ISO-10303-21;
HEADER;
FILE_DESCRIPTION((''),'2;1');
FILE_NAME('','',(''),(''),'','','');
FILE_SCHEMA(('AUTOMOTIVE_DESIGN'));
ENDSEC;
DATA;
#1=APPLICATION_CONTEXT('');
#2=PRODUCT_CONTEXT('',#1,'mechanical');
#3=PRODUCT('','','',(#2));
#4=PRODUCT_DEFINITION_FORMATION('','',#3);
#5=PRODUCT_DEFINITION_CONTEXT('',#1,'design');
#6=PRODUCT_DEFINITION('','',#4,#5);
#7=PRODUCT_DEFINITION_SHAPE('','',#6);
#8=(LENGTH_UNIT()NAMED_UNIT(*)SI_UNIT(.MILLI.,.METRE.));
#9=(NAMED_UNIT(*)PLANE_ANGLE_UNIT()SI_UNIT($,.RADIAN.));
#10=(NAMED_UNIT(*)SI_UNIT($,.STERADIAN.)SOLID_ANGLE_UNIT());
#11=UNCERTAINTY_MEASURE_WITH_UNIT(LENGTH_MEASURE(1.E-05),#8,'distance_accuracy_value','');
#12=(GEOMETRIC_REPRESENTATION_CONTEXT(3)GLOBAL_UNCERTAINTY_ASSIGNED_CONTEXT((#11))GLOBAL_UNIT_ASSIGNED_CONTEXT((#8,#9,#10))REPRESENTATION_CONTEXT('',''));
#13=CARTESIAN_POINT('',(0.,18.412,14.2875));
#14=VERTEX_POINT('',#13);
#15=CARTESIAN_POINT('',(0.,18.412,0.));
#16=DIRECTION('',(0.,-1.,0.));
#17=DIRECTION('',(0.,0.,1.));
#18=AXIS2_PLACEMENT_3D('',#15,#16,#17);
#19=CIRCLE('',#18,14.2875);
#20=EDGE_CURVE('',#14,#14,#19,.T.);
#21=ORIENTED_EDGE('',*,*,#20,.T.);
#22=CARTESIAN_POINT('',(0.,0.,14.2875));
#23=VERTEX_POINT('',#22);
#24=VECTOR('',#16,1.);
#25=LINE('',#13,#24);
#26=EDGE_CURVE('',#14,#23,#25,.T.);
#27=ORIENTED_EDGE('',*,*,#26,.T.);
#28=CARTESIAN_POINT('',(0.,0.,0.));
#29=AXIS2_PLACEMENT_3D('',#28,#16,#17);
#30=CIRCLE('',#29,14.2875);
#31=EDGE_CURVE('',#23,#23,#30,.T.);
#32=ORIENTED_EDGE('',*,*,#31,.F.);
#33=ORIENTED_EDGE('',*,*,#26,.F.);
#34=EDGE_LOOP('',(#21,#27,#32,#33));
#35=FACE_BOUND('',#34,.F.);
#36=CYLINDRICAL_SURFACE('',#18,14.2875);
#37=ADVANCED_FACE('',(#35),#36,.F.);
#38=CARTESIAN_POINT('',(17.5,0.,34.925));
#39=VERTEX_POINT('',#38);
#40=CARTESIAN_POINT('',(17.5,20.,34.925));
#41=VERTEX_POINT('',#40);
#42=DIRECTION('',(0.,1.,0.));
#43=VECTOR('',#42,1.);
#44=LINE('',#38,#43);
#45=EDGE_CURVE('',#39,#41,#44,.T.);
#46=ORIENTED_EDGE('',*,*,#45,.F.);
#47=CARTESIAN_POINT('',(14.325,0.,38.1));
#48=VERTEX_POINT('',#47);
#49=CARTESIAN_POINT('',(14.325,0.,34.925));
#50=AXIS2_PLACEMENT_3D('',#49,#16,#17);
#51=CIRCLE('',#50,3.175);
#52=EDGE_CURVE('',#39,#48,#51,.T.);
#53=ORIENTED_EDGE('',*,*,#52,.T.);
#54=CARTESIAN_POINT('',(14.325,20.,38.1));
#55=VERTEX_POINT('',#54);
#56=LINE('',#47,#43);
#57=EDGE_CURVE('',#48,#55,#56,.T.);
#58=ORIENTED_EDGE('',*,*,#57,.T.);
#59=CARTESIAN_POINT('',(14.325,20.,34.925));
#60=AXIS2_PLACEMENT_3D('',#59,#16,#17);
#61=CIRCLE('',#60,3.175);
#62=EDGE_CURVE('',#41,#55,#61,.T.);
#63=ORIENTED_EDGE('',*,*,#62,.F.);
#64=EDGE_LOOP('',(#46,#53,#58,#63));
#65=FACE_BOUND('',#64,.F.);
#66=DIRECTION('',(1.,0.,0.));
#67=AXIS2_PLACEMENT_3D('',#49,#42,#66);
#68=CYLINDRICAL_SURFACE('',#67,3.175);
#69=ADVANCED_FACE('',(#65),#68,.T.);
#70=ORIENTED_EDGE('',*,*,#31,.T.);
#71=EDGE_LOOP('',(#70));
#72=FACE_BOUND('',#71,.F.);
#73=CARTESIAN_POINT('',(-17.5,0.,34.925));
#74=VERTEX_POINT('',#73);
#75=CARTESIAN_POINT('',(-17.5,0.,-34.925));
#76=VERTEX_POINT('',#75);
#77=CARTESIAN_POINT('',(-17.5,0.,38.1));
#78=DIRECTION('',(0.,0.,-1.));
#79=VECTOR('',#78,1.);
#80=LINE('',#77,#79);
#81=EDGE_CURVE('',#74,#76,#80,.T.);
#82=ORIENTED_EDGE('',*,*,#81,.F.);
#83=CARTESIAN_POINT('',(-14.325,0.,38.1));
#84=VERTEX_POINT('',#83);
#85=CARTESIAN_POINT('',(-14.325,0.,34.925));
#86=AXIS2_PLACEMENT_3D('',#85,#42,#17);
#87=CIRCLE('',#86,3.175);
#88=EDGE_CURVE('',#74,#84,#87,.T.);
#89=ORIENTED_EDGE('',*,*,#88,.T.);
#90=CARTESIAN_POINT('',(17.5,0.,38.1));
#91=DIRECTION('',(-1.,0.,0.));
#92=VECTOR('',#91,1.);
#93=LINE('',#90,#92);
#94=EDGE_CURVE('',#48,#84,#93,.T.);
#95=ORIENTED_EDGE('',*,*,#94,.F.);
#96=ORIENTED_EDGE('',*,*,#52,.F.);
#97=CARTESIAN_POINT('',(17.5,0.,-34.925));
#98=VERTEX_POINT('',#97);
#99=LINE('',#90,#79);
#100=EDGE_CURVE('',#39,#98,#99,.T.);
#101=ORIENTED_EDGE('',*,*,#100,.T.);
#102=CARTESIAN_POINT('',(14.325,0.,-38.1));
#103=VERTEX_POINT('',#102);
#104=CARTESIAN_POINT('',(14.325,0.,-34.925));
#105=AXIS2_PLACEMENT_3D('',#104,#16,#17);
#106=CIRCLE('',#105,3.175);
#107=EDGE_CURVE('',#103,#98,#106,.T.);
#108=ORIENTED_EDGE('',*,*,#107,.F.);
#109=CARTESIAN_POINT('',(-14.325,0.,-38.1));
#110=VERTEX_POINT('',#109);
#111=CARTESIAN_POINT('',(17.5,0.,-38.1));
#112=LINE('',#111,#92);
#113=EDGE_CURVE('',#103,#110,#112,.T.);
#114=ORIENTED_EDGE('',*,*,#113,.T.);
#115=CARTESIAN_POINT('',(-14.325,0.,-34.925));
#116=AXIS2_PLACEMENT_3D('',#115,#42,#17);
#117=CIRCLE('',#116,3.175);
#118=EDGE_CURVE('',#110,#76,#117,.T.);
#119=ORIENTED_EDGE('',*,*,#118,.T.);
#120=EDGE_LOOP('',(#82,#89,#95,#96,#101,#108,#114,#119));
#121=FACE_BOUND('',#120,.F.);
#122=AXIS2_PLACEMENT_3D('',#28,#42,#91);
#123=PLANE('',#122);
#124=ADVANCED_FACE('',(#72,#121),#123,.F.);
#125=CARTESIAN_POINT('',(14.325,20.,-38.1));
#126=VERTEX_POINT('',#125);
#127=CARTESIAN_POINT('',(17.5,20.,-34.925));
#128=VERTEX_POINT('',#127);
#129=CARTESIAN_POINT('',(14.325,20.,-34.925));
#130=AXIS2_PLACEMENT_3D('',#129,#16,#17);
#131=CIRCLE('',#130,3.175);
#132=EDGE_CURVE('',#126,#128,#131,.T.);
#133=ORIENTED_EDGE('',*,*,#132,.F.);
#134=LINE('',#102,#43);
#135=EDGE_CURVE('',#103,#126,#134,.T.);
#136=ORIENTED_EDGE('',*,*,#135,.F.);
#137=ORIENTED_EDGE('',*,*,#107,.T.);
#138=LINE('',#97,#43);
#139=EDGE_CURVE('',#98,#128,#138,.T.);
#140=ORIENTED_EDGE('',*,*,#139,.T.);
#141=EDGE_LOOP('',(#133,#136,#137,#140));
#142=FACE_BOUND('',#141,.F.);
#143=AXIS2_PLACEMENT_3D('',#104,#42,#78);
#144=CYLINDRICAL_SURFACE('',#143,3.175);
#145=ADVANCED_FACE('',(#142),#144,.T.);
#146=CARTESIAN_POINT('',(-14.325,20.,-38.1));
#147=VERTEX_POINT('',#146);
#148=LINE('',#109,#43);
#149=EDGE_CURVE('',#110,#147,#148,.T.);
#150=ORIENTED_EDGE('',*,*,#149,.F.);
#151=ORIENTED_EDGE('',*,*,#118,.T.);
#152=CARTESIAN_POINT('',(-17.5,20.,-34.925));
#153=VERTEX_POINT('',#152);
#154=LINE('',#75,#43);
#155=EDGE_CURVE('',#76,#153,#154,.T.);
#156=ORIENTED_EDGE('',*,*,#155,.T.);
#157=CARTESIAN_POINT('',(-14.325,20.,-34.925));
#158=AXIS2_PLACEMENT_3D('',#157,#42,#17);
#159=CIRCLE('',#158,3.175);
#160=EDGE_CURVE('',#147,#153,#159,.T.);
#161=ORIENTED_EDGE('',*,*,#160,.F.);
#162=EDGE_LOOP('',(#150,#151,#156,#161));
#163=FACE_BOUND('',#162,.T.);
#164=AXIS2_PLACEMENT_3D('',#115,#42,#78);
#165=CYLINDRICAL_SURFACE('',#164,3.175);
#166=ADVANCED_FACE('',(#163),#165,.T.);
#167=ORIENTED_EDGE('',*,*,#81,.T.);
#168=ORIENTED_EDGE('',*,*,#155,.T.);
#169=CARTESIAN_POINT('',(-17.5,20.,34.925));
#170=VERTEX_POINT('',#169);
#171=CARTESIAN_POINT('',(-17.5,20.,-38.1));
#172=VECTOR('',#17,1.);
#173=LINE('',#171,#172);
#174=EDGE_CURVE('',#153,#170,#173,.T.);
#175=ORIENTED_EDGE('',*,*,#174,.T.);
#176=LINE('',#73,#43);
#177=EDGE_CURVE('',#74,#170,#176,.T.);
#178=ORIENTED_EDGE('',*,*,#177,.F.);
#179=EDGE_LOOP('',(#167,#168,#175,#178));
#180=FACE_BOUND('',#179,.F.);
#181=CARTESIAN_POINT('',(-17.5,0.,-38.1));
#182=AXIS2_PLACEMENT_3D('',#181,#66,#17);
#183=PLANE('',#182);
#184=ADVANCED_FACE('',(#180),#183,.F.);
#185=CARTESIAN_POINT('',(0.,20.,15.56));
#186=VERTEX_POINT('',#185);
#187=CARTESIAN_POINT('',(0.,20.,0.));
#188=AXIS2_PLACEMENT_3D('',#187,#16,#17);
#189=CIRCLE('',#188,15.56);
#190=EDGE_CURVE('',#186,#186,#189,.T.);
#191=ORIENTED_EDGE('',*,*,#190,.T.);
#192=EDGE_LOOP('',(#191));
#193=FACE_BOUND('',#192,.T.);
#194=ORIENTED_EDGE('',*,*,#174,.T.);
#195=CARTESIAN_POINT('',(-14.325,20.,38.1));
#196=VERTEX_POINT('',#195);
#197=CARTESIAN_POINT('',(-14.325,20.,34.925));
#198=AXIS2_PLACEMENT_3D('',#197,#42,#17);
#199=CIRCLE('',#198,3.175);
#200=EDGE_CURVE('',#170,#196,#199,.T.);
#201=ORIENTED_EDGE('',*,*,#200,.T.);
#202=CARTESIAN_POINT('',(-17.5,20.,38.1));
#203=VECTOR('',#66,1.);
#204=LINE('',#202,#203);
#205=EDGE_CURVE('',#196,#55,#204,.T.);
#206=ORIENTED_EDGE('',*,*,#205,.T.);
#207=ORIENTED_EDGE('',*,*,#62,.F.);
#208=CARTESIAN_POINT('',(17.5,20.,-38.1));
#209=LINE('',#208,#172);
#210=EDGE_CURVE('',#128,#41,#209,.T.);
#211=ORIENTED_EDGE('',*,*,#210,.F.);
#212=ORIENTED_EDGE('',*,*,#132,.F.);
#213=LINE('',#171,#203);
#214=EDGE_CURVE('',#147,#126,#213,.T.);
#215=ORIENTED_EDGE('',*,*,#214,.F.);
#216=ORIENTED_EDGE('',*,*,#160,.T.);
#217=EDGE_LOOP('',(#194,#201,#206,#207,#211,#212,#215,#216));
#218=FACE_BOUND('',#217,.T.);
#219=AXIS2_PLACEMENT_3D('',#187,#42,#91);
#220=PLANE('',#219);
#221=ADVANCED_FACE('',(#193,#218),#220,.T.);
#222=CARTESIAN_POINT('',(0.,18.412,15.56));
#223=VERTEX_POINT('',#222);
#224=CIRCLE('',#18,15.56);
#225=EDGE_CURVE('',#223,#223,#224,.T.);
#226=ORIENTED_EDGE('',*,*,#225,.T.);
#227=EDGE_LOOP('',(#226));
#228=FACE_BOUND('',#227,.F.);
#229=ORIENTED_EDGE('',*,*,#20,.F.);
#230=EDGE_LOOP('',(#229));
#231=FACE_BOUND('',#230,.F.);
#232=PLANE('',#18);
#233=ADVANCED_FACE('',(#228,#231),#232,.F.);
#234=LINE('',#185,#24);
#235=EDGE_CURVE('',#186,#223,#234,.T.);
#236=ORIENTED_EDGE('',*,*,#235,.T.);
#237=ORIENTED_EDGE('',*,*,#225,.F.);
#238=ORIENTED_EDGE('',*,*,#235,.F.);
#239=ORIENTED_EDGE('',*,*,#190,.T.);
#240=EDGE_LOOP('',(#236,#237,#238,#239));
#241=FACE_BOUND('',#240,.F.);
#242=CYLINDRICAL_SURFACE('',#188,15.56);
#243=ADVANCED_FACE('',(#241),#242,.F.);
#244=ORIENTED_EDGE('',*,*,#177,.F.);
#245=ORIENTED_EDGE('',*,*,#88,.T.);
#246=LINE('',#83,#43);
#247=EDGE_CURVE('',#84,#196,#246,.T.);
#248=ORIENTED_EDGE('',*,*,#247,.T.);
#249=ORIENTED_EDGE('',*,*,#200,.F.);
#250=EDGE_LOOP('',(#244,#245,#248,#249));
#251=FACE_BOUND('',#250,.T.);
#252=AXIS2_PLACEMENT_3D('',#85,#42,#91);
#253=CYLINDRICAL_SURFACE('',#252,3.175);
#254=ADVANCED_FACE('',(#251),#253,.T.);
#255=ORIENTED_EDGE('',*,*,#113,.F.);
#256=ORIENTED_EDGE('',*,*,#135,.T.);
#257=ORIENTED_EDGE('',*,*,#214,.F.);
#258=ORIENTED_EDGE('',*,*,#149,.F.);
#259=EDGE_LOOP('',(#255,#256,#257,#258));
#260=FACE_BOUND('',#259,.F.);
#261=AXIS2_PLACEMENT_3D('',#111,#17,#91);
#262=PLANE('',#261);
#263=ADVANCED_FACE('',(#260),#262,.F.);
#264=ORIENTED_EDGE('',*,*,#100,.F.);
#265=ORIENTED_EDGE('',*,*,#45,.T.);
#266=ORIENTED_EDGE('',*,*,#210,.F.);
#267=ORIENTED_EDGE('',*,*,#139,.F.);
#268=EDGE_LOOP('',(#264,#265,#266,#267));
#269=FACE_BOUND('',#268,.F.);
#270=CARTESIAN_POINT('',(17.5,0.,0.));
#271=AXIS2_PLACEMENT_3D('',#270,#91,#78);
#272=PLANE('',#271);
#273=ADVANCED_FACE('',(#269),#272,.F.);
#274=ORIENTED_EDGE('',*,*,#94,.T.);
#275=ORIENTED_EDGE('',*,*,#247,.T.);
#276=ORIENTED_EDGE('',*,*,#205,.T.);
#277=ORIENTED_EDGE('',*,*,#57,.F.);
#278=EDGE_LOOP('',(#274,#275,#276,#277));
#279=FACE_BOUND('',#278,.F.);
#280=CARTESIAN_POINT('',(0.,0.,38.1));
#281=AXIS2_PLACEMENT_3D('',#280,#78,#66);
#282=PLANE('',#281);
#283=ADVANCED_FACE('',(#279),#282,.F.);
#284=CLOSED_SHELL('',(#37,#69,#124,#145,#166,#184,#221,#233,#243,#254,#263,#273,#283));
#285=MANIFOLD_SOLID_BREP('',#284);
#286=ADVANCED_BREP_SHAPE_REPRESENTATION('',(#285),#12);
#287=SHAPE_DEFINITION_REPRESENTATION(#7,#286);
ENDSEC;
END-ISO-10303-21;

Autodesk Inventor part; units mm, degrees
ref_plane "YZ Plane" through (0, 0, 0) normal (1, 0, 0) x (0, 1, 0)
ref_plane "XZ Plane" through (0, 0, 0) normal (0, 1, 0) x (-1, 0, 0)
ref_plane "XY Plane" through (0, 0, 0) normal (0, 0, 1) x (1, 0, 0)
sketch "Sketch1" plane through (0, 0, 0) normal (0, 1, 0) x (-1, 0, 0)
  line L0 (0, -53.34) -> (0, 53.34) projected
  line L1 (-24.5, 0) -> (24.5, 0) projected
  line L2 (24.5, 0) -> (-24.5, 0) projected
  line L3 (0, -53.34) -> (0, 53.34) projected
  line L4 (-17.5, 38.1) -> (-17.5, -38.1)
  line L5 (-17.5, -38.1) -> (17.5, -38.1)
  line L6 (17.5, -38.1) -> (17.5, 38.1)
  line L7 (17.5, 38.1) -> (-17.5, 38.1)
  line L8 (-17.5, -38.1) -> (17.5, 38.1) construction
  point P0 (0, 0)
  dimension "d1" = 76.2
  dimension "d2" = 35
extrude "Extrusion1" add sketch "Sketch1" along normal blind 20
sketch "Sketch2" plane through (0, 20, 0) normal (0, 1, 0) x (1, 0, 0)
  point P0 (0, 0)
  point P1 (0, 0)
hole "Hole1" at (0, 20, 0) direction (0, -1, 0) diameter 28.575 end through all counterbore diameter 31.12 counterbore depth 1.588
fillet "Fillet1" radius 3.175 4 edges at (17.5, 10, 38.1) (17.5, 10, -38.1) (-17.5, 10, 38.1) (-17.5, 10, -38.1)
properties part number "BearingBlock"
